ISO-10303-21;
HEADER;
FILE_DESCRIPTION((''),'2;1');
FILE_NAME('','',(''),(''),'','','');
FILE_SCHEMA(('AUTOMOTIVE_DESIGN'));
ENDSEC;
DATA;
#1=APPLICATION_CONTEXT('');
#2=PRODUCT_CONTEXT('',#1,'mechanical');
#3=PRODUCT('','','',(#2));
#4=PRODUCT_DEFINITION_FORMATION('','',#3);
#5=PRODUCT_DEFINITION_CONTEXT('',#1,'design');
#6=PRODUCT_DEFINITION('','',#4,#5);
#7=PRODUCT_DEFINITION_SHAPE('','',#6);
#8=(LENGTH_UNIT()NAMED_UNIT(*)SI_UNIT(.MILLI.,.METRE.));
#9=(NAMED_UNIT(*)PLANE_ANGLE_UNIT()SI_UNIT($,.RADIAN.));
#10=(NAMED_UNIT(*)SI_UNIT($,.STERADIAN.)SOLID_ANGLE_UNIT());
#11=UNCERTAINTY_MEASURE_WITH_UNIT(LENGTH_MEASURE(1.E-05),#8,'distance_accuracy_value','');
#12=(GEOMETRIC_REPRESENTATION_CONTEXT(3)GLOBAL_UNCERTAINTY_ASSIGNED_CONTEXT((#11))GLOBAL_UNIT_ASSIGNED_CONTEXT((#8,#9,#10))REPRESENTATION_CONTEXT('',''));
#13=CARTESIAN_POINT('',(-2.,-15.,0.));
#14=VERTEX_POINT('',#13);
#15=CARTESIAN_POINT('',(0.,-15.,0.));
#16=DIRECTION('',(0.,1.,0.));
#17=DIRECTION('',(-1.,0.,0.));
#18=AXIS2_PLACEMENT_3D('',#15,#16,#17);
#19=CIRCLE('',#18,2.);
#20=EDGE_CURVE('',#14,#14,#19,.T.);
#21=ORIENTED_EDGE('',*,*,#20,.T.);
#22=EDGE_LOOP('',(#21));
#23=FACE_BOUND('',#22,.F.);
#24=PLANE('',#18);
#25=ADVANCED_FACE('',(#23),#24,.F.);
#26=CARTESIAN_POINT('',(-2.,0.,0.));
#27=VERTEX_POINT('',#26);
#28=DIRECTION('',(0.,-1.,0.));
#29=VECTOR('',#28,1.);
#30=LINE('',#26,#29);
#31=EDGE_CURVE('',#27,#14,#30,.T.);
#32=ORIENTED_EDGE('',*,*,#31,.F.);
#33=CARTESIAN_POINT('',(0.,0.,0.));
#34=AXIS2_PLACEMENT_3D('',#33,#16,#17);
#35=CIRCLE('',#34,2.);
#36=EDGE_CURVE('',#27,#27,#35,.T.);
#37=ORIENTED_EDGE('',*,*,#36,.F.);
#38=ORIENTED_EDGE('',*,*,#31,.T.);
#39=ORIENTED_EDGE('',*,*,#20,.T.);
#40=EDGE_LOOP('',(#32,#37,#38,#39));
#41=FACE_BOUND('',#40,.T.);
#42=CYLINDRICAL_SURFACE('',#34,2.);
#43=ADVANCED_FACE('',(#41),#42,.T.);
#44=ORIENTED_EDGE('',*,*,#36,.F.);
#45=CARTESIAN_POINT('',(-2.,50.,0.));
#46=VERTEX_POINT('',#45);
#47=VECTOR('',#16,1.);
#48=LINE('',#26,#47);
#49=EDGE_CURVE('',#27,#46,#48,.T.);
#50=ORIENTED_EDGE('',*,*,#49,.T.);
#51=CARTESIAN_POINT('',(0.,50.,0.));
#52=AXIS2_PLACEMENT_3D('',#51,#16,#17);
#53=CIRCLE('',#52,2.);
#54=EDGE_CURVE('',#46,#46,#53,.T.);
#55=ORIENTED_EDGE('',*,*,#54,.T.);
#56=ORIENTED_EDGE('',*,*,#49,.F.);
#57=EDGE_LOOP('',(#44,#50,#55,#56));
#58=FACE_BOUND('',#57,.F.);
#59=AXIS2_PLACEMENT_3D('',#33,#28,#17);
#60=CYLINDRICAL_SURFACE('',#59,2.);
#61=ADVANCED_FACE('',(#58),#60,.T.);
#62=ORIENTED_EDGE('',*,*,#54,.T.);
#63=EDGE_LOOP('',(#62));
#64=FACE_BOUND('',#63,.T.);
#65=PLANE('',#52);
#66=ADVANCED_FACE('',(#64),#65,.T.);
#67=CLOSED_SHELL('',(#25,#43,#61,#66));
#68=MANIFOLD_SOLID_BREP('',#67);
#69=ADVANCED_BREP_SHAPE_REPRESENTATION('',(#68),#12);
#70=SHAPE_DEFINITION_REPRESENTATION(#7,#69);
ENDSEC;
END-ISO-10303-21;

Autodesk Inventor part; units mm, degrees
ref_plane "YZ Plane" through (0, 0, 0) normal (1, 0, 0) x (0, 1, 0)
ref_plane "XZ Plane" through (0, 0, 0) normal (0, 1, 0) x (-1, 0, 0)
ref_plane "XY Plane" through (0, 0, 0) normal (0, 0, 1) x (1, 0, 0)
sketch "スケッチ1" plane through (0, 0, 0) normal (0, 1, 0) x (-1, 0, 0)
  circle A0 centre (0, 0) radius 2
  dimension "d0" = 4
extrude "押し出し1" add sketch "スケッチ1" along normal blind 50 and the other way blind 15
properties part number "anode_11" material "Stainless Steel"
